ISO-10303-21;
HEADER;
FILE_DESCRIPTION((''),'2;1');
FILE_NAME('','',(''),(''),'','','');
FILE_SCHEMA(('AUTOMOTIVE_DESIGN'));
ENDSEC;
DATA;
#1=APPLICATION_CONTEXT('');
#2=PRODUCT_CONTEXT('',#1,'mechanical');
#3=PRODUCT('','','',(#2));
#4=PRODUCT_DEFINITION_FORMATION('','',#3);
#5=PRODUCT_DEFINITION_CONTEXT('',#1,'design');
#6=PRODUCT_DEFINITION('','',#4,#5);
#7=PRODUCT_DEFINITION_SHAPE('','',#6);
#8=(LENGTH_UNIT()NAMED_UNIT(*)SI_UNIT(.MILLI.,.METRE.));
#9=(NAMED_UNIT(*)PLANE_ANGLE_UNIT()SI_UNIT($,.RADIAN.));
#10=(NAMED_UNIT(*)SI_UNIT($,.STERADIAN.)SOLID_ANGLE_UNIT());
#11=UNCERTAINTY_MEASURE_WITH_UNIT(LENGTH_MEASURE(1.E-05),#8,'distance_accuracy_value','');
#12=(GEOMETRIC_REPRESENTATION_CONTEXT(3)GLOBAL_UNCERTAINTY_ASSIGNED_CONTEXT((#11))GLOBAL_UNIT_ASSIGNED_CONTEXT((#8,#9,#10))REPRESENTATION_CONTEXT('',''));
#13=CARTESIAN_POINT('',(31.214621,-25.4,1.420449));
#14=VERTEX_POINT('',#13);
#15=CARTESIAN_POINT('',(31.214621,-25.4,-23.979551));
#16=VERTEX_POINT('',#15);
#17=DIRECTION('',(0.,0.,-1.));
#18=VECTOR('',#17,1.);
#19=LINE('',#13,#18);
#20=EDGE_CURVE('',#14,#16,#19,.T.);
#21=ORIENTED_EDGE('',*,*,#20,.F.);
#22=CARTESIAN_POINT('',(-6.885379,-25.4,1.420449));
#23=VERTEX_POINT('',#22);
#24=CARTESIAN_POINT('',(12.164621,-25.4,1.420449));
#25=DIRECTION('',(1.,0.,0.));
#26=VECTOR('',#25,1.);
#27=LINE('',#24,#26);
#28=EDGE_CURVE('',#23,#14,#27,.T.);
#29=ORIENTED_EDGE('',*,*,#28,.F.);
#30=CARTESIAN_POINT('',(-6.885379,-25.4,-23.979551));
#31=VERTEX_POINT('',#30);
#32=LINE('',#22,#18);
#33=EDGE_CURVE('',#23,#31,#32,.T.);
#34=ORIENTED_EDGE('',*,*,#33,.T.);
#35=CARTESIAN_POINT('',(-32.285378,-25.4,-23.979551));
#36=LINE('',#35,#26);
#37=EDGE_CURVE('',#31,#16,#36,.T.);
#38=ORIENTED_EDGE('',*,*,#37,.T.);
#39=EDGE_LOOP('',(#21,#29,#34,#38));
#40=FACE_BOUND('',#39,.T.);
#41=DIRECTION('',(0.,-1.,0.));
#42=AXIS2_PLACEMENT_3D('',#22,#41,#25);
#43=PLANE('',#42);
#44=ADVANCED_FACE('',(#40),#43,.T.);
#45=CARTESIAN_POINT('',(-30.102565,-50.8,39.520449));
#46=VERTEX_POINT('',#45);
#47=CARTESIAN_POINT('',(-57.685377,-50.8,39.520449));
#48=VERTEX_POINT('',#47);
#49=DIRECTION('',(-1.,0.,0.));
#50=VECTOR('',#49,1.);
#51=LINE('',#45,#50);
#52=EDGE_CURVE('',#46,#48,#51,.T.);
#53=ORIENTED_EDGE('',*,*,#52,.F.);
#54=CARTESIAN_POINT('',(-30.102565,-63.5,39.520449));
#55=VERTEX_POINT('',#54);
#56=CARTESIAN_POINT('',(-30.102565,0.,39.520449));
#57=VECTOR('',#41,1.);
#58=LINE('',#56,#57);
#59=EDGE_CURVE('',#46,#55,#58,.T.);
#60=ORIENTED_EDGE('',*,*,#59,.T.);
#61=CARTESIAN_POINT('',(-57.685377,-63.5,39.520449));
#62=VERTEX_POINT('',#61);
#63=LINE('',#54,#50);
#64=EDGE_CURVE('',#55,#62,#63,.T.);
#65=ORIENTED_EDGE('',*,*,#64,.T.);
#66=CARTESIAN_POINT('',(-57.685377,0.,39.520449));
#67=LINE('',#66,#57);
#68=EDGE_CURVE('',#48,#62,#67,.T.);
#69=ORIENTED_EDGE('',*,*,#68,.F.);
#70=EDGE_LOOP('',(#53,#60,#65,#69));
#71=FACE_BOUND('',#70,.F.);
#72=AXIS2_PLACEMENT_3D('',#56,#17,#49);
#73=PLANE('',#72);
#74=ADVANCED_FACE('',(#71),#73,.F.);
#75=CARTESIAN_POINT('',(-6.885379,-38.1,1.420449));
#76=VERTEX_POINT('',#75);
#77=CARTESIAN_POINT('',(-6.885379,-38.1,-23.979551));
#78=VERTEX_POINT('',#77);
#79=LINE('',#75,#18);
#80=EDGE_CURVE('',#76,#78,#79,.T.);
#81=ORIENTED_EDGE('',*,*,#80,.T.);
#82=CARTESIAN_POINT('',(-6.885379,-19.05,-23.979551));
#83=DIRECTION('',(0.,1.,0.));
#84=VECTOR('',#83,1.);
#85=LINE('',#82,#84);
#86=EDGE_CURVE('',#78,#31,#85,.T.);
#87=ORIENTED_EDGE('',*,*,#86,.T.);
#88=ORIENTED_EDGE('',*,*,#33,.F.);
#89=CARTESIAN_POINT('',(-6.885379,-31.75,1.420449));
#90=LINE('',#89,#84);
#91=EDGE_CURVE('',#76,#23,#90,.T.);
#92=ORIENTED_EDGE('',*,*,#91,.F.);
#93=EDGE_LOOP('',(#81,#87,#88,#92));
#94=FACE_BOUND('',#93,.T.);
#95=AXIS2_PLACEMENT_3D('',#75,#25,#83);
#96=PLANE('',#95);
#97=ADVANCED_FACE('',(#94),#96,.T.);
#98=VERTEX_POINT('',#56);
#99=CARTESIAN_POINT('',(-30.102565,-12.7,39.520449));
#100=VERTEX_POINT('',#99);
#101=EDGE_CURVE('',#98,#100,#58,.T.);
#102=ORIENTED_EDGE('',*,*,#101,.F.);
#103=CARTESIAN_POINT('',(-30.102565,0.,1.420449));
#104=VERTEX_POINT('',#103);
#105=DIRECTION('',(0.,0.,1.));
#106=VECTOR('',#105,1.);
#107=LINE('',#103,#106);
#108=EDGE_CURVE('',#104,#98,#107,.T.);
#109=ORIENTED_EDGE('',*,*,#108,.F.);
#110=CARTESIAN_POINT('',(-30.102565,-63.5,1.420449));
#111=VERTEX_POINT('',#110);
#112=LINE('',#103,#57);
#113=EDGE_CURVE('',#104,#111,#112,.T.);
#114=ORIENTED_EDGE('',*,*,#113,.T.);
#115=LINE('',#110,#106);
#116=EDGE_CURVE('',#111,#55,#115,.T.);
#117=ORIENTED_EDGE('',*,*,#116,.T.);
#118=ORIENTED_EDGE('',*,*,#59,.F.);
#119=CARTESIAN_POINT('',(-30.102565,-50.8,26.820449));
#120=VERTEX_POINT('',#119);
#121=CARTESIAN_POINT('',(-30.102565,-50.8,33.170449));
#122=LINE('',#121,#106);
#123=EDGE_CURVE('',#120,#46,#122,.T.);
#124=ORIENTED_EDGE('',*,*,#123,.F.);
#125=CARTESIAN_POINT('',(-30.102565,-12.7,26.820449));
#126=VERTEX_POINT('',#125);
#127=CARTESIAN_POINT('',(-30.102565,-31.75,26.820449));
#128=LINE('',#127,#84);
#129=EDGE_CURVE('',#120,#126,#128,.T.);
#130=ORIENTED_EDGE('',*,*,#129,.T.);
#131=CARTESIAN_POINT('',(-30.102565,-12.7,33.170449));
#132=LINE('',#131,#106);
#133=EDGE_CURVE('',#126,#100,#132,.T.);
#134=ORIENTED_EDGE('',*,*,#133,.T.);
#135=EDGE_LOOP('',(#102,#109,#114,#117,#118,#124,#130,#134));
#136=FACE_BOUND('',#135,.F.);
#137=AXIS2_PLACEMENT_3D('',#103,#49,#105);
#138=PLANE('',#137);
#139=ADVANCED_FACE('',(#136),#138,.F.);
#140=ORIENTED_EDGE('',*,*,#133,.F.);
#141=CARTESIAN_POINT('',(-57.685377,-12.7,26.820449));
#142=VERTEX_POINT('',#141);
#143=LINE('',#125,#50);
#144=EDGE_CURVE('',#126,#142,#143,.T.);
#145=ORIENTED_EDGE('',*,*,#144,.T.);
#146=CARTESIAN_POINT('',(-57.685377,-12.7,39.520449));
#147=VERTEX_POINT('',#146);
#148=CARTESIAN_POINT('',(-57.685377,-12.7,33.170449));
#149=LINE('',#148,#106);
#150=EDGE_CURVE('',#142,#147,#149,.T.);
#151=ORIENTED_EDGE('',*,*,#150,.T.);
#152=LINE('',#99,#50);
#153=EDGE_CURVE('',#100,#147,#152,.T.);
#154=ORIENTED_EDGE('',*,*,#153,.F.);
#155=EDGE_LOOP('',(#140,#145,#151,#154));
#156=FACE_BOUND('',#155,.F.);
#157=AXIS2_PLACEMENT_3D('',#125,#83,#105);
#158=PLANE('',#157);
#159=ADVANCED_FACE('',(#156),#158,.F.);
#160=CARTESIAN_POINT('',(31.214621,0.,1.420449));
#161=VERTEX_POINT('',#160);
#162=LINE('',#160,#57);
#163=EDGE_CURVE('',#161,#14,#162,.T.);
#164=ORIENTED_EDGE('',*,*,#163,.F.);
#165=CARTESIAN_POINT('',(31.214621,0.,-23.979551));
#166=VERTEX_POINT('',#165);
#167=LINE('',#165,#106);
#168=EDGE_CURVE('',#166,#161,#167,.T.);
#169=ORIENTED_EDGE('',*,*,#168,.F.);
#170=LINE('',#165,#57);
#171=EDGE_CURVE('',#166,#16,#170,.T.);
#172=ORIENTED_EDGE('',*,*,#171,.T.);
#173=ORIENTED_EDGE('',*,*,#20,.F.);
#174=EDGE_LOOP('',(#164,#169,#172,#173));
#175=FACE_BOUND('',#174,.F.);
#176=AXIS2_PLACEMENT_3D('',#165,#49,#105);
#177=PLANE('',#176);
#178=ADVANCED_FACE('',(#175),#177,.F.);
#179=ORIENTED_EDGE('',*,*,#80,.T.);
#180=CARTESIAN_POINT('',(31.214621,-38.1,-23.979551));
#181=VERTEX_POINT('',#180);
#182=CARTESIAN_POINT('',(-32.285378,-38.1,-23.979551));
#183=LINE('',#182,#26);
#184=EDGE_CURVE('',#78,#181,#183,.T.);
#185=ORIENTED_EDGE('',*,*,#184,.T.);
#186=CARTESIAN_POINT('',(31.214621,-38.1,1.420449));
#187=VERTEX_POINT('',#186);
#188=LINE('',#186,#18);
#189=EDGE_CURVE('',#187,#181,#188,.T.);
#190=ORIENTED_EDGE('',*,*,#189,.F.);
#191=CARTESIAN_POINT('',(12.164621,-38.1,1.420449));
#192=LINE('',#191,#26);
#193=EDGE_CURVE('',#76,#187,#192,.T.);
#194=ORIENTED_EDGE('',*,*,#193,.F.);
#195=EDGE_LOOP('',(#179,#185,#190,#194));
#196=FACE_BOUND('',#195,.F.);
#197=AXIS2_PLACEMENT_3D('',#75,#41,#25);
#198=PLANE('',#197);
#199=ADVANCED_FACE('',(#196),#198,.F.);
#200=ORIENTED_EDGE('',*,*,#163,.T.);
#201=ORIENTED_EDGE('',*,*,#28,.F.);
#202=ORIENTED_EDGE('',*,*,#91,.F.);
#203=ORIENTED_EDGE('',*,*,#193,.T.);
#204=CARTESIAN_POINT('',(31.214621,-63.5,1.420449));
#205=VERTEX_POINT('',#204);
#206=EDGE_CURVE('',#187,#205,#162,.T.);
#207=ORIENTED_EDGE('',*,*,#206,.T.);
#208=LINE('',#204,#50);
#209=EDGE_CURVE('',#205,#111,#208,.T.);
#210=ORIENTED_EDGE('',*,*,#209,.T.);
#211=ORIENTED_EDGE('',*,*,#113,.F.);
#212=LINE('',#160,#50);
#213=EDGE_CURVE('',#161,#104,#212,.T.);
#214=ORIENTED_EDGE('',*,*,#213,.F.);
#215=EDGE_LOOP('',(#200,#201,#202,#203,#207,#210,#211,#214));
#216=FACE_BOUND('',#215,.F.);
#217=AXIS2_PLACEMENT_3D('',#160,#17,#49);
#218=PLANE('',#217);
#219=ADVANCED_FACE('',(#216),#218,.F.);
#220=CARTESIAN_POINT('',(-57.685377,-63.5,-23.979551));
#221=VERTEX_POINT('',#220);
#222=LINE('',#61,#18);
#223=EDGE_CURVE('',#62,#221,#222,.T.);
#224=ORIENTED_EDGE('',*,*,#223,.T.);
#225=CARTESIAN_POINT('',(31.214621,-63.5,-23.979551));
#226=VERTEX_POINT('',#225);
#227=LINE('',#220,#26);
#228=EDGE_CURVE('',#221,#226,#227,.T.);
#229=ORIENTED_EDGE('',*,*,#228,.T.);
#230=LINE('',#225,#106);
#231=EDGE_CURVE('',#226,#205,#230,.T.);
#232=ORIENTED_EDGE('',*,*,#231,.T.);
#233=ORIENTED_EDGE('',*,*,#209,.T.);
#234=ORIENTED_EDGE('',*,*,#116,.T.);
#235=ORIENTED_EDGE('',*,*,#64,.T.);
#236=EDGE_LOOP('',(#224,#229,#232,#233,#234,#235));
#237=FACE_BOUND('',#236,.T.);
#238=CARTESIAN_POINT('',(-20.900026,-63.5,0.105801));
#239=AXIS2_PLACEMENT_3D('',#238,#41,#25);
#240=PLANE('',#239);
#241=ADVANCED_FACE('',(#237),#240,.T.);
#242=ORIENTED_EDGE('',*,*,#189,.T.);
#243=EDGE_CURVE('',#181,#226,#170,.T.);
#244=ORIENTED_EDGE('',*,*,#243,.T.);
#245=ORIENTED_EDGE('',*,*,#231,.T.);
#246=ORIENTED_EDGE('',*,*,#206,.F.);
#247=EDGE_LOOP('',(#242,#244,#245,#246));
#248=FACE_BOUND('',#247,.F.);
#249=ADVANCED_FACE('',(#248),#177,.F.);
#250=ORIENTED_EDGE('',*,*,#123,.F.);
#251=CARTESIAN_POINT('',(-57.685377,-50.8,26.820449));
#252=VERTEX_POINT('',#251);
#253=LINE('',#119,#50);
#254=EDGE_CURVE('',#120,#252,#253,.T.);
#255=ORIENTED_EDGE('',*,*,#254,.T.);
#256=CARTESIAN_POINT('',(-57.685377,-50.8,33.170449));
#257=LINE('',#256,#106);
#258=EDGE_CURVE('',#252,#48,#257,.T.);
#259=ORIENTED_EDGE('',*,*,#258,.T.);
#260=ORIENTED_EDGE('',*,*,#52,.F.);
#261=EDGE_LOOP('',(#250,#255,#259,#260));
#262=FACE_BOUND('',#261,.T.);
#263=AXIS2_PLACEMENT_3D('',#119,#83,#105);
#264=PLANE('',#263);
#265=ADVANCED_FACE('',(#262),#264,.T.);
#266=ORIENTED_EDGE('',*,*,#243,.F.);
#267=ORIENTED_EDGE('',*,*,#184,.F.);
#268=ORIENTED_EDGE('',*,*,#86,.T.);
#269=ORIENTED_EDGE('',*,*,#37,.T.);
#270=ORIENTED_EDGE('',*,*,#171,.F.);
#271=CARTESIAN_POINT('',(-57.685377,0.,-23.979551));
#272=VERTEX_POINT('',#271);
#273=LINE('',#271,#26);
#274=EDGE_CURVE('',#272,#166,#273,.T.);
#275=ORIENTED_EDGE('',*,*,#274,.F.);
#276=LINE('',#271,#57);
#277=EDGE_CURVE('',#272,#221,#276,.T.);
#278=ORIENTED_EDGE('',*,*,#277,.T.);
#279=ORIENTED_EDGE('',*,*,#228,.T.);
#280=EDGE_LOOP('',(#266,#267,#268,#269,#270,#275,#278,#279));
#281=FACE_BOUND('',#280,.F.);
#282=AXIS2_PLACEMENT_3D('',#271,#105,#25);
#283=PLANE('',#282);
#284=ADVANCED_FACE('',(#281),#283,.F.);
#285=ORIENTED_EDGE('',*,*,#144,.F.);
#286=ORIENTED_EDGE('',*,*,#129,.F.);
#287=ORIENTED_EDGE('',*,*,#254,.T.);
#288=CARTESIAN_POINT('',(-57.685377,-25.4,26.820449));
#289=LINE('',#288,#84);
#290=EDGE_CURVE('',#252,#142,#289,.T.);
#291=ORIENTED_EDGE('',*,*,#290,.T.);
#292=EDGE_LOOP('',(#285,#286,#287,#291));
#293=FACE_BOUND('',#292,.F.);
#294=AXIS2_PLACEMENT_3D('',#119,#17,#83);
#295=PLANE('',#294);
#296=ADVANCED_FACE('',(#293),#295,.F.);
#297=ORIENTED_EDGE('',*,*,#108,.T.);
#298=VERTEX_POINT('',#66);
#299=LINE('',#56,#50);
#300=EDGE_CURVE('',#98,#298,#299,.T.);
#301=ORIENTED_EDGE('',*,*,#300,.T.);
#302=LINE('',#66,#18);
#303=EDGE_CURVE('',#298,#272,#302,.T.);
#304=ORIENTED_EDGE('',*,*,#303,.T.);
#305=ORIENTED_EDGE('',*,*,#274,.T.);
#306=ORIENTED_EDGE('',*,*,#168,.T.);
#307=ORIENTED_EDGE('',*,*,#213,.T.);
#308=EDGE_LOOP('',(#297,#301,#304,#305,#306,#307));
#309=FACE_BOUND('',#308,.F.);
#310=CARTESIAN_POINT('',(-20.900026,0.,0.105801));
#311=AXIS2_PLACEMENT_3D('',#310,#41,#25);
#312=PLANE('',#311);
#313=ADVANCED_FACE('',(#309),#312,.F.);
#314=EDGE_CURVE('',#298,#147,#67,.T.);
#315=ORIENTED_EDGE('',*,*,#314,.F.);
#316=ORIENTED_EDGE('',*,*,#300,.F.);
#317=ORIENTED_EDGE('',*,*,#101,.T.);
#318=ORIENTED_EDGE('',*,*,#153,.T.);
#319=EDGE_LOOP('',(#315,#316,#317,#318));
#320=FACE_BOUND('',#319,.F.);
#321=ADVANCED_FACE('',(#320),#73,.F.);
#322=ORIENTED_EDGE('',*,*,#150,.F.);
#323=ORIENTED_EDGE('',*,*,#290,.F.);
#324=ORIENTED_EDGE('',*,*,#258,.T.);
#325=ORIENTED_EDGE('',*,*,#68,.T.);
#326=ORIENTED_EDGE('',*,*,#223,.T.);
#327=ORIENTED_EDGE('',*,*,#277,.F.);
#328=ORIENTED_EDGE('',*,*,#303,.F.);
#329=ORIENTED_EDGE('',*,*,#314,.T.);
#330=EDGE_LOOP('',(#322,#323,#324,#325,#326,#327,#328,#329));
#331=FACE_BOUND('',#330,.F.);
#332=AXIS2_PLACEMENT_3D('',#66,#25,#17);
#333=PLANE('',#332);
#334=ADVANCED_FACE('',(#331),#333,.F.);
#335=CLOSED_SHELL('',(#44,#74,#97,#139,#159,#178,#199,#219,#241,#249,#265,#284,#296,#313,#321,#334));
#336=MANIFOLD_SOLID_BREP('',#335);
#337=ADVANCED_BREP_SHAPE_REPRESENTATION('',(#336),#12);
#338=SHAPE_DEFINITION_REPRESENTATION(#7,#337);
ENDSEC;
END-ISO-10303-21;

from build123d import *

# Parameters (mm, degrees)
F1_DEPTH = 63.5
F2_W     = 38.1
F2_H     = 12.7
F3_DEPTH = 27.583812
F4_W     = 38.1
F4_H     = 12.7
F5_DEPTH = 25.401


with BuildPart() as f1:
    # F0 (on Front) → F1 (new body)
    with BuildSketch(Plane.XZ):
        Polygon((-30.102565, 39.520449), (-57.685377, 39.520449), (-57.685377, -23.979551), (31.214621, -23.979551), (31.214621, 1.420449), (-30.102565, 1.420449), align=None)
    extrude(amount=F1_DEPTH)

    # F2 (on face) → F3 (cut, through all)
    with BuildSketch(Plane.YZ.offset(-30.102565)):
        with Locations((-31.75, 33.170449)):
            Rectangle(F2_W, F2_H)
    extrude(amount=-F3_DEPTH, mode=Mode.SUBTRACT)

    # F4 (on face) → F5 (cut, through all)
    with BuildSketch(Plane.XY.offset(1.420449)):
        with Locations((12.164621, -31.75)):
            Rectangle(F4_W, F4_H)
    extrude(amount=-F5_DEPTH, mode=Mode.SUBTRACT)


solid = f1.part
